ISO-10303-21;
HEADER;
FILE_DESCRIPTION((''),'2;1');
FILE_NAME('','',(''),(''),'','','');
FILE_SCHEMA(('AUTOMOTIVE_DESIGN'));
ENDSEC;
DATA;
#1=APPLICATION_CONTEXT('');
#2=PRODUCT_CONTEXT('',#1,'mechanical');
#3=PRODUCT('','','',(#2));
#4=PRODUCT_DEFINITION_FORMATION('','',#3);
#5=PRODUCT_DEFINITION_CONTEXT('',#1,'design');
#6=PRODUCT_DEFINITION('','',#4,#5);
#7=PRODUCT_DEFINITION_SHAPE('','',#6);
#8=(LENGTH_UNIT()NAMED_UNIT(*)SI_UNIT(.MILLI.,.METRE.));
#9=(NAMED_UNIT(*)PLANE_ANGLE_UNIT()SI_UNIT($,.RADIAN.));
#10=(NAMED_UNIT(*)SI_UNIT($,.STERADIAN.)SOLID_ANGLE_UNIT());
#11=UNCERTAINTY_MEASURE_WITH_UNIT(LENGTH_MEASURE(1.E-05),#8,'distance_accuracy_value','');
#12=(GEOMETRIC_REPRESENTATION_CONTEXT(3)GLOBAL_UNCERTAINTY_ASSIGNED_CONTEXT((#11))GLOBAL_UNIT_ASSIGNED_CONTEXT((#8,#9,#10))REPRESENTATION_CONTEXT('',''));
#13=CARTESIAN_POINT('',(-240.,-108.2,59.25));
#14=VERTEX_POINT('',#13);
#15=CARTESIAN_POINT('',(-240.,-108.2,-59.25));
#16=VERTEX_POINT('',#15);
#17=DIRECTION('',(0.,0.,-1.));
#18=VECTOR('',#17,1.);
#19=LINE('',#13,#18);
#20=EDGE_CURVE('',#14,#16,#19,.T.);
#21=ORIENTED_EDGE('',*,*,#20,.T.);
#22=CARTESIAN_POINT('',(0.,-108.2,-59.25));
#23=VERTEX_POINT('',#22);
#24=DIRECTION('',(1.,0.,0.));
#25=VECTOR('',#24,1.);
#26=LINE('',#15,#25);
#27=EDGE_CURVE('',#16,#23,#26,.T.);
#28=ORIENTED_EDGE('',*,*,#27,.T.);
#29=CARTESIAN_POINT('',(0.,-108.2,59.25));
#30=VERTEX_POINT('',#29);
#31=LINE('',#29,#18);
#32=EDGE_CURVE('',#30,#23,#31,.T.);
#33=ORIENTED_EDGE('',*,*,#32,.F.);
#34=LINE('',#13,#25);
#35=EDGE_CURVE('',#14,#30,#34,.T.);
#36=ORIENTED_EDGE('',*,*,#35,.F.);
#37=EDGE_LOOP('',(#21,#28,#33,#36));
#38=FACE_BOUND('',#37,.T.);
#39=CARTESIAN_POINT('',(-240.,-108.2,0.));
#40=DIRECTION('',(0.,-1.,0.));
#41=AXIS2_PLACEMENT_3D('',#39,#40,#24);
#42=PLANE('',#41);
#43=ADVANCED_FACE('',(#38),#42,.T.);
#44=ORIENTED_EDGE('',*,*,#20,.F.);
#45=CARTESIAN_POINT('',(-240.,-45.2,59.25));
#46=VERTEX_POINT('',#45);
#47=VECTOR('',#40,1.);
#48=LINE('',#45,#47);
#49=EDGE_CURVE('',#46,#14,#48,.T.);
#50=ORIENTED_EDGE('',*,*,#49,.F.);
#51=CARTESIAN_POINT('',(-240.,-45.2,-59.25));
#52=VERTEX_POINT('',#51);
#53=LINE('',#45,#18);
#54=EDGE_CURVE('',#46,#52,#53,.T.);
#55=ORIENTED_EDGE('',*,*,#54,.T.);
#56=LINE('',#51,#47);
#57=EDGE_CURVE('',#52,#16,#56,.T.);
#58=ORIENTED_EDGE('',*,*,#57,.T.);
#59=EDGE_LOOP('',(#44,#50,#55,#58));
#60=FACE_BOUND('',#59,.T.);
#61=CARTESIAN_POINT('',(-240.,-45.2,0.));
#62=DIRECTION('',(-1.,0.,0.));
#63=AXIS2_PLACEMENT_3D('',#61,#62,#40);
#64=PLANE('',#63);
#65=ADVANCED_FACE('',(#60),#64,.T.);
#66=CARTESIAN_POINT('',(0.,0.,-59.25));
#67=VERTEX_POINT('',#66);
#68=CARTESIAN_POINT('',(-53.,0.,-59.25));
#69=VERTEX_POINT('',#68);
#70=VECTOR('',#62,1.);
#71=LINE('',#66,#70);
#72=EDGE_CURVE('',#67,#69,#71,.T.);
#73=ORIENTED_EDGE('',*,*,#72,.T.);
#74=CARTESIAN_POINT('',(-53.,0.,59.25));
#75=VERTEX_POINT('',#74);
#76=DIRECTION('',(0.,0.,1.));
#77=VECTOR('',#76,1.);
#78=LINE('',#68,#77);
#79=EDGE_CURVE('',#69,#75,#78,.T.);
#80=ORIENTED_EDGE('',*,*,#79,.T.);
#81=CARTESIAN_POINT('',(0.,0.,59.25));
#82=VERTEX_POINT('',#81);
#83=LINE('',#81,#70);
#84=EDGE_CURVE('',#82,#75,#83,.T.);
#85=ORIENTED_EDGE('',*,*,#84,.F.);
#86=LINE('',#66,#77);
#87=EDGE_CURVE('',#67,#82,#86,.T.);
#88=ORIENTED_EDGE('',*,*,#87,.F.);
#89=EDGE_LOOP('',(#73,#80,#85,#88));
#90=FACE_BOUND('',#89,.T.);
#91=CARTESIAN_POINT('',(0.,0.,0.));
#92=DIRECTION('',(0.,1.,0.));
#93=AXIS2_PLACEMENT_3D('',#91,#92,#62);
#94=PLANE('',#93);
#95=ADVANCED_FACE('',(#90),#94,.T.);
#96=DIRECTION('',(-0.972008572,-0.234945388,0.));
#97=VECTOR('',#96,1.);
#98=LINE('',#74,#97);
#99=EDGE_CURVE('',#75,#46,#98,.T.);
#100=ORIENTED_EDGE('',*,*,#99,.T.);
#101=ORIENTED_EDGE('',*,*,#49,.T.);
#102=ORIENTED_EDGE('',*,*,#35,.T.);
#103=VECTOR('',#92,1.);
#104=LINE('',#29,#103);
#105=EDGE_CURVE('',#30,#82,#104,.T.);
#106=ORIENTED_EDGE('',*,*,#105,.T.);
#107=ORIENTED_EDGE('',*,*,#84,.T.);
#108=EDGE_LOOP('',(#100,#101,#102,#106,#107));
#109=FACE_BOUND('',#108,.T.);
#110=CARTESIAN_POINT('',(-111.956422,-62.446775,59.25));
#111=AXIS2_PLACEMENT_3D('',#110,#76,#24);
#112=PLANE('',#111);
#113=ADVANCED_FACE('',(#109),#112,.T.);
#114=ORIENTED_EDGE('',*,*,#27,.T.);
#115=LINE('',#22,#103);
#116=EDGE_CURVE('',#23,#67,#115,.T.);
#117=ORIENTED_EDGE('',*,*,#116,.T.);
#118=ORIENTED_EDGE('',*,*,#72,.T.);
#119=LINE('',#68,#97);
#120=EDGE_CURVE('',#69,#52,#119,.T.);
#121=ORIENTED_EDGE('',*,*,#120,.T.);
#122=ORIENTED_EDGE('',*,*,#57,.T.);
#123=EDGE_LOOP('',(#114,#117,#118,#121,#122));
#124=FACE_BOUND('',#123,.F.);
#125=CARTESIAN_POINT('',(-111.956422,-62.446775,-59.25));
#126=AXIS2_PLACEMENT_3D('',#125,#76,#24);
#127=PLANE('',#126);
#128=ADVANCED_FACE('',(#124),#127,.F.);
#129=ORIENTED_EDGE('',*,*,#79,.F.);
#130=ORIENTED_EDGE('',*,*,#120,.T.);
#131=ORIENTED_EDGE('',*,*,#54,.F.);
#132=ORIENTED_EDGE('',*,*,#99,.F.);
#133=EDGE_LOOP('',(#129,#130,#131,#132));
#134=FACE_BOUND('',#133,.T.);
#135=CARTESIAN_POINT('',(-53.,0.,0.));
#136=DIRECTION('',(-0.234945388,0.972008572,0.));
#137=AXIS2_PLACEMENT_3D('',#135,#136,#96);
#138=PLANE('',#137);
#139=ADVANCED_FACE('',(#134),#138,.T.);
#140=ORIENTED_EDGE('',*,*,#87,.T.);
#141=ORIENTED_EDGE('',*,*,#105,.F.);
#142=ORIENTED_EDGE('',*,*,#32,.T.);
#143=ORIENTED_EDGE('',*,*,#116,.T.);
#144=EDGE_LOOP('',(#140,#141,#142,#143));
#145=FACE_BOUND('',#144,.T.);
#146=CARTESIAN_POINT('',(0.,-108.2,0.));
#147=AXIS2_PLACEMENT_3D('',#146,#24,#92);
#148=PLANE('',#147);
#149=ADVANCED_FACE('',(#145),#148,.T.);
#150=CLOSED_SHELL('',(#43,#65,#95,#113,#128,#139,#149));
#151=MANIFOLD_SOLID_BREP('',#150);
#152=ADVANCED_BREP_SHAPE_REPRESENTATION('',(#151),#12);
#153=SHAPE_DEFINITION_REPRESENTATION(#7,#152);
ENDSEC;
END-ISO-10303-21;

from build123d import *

# Parameters (mm, degrees)
F1_DEPTH      = 59.25
F1_DEPTH_BACK = 59.25


with BuildPart() as f1:
    # F0 (on Top) → F1 (new body, two sides)
    with BuildSketch(Plane.XY) as f1_sk:
        Polygon((0, -108.2), (0, 0), (-53, 0), (-240, -45.2), (-240, -108.2), align=None)
    extrude(amount=F1_DEPTH)
    extrude(f1_sk.sketch, amount=-F1_DEPTH_BACK)


solid = f1.part
